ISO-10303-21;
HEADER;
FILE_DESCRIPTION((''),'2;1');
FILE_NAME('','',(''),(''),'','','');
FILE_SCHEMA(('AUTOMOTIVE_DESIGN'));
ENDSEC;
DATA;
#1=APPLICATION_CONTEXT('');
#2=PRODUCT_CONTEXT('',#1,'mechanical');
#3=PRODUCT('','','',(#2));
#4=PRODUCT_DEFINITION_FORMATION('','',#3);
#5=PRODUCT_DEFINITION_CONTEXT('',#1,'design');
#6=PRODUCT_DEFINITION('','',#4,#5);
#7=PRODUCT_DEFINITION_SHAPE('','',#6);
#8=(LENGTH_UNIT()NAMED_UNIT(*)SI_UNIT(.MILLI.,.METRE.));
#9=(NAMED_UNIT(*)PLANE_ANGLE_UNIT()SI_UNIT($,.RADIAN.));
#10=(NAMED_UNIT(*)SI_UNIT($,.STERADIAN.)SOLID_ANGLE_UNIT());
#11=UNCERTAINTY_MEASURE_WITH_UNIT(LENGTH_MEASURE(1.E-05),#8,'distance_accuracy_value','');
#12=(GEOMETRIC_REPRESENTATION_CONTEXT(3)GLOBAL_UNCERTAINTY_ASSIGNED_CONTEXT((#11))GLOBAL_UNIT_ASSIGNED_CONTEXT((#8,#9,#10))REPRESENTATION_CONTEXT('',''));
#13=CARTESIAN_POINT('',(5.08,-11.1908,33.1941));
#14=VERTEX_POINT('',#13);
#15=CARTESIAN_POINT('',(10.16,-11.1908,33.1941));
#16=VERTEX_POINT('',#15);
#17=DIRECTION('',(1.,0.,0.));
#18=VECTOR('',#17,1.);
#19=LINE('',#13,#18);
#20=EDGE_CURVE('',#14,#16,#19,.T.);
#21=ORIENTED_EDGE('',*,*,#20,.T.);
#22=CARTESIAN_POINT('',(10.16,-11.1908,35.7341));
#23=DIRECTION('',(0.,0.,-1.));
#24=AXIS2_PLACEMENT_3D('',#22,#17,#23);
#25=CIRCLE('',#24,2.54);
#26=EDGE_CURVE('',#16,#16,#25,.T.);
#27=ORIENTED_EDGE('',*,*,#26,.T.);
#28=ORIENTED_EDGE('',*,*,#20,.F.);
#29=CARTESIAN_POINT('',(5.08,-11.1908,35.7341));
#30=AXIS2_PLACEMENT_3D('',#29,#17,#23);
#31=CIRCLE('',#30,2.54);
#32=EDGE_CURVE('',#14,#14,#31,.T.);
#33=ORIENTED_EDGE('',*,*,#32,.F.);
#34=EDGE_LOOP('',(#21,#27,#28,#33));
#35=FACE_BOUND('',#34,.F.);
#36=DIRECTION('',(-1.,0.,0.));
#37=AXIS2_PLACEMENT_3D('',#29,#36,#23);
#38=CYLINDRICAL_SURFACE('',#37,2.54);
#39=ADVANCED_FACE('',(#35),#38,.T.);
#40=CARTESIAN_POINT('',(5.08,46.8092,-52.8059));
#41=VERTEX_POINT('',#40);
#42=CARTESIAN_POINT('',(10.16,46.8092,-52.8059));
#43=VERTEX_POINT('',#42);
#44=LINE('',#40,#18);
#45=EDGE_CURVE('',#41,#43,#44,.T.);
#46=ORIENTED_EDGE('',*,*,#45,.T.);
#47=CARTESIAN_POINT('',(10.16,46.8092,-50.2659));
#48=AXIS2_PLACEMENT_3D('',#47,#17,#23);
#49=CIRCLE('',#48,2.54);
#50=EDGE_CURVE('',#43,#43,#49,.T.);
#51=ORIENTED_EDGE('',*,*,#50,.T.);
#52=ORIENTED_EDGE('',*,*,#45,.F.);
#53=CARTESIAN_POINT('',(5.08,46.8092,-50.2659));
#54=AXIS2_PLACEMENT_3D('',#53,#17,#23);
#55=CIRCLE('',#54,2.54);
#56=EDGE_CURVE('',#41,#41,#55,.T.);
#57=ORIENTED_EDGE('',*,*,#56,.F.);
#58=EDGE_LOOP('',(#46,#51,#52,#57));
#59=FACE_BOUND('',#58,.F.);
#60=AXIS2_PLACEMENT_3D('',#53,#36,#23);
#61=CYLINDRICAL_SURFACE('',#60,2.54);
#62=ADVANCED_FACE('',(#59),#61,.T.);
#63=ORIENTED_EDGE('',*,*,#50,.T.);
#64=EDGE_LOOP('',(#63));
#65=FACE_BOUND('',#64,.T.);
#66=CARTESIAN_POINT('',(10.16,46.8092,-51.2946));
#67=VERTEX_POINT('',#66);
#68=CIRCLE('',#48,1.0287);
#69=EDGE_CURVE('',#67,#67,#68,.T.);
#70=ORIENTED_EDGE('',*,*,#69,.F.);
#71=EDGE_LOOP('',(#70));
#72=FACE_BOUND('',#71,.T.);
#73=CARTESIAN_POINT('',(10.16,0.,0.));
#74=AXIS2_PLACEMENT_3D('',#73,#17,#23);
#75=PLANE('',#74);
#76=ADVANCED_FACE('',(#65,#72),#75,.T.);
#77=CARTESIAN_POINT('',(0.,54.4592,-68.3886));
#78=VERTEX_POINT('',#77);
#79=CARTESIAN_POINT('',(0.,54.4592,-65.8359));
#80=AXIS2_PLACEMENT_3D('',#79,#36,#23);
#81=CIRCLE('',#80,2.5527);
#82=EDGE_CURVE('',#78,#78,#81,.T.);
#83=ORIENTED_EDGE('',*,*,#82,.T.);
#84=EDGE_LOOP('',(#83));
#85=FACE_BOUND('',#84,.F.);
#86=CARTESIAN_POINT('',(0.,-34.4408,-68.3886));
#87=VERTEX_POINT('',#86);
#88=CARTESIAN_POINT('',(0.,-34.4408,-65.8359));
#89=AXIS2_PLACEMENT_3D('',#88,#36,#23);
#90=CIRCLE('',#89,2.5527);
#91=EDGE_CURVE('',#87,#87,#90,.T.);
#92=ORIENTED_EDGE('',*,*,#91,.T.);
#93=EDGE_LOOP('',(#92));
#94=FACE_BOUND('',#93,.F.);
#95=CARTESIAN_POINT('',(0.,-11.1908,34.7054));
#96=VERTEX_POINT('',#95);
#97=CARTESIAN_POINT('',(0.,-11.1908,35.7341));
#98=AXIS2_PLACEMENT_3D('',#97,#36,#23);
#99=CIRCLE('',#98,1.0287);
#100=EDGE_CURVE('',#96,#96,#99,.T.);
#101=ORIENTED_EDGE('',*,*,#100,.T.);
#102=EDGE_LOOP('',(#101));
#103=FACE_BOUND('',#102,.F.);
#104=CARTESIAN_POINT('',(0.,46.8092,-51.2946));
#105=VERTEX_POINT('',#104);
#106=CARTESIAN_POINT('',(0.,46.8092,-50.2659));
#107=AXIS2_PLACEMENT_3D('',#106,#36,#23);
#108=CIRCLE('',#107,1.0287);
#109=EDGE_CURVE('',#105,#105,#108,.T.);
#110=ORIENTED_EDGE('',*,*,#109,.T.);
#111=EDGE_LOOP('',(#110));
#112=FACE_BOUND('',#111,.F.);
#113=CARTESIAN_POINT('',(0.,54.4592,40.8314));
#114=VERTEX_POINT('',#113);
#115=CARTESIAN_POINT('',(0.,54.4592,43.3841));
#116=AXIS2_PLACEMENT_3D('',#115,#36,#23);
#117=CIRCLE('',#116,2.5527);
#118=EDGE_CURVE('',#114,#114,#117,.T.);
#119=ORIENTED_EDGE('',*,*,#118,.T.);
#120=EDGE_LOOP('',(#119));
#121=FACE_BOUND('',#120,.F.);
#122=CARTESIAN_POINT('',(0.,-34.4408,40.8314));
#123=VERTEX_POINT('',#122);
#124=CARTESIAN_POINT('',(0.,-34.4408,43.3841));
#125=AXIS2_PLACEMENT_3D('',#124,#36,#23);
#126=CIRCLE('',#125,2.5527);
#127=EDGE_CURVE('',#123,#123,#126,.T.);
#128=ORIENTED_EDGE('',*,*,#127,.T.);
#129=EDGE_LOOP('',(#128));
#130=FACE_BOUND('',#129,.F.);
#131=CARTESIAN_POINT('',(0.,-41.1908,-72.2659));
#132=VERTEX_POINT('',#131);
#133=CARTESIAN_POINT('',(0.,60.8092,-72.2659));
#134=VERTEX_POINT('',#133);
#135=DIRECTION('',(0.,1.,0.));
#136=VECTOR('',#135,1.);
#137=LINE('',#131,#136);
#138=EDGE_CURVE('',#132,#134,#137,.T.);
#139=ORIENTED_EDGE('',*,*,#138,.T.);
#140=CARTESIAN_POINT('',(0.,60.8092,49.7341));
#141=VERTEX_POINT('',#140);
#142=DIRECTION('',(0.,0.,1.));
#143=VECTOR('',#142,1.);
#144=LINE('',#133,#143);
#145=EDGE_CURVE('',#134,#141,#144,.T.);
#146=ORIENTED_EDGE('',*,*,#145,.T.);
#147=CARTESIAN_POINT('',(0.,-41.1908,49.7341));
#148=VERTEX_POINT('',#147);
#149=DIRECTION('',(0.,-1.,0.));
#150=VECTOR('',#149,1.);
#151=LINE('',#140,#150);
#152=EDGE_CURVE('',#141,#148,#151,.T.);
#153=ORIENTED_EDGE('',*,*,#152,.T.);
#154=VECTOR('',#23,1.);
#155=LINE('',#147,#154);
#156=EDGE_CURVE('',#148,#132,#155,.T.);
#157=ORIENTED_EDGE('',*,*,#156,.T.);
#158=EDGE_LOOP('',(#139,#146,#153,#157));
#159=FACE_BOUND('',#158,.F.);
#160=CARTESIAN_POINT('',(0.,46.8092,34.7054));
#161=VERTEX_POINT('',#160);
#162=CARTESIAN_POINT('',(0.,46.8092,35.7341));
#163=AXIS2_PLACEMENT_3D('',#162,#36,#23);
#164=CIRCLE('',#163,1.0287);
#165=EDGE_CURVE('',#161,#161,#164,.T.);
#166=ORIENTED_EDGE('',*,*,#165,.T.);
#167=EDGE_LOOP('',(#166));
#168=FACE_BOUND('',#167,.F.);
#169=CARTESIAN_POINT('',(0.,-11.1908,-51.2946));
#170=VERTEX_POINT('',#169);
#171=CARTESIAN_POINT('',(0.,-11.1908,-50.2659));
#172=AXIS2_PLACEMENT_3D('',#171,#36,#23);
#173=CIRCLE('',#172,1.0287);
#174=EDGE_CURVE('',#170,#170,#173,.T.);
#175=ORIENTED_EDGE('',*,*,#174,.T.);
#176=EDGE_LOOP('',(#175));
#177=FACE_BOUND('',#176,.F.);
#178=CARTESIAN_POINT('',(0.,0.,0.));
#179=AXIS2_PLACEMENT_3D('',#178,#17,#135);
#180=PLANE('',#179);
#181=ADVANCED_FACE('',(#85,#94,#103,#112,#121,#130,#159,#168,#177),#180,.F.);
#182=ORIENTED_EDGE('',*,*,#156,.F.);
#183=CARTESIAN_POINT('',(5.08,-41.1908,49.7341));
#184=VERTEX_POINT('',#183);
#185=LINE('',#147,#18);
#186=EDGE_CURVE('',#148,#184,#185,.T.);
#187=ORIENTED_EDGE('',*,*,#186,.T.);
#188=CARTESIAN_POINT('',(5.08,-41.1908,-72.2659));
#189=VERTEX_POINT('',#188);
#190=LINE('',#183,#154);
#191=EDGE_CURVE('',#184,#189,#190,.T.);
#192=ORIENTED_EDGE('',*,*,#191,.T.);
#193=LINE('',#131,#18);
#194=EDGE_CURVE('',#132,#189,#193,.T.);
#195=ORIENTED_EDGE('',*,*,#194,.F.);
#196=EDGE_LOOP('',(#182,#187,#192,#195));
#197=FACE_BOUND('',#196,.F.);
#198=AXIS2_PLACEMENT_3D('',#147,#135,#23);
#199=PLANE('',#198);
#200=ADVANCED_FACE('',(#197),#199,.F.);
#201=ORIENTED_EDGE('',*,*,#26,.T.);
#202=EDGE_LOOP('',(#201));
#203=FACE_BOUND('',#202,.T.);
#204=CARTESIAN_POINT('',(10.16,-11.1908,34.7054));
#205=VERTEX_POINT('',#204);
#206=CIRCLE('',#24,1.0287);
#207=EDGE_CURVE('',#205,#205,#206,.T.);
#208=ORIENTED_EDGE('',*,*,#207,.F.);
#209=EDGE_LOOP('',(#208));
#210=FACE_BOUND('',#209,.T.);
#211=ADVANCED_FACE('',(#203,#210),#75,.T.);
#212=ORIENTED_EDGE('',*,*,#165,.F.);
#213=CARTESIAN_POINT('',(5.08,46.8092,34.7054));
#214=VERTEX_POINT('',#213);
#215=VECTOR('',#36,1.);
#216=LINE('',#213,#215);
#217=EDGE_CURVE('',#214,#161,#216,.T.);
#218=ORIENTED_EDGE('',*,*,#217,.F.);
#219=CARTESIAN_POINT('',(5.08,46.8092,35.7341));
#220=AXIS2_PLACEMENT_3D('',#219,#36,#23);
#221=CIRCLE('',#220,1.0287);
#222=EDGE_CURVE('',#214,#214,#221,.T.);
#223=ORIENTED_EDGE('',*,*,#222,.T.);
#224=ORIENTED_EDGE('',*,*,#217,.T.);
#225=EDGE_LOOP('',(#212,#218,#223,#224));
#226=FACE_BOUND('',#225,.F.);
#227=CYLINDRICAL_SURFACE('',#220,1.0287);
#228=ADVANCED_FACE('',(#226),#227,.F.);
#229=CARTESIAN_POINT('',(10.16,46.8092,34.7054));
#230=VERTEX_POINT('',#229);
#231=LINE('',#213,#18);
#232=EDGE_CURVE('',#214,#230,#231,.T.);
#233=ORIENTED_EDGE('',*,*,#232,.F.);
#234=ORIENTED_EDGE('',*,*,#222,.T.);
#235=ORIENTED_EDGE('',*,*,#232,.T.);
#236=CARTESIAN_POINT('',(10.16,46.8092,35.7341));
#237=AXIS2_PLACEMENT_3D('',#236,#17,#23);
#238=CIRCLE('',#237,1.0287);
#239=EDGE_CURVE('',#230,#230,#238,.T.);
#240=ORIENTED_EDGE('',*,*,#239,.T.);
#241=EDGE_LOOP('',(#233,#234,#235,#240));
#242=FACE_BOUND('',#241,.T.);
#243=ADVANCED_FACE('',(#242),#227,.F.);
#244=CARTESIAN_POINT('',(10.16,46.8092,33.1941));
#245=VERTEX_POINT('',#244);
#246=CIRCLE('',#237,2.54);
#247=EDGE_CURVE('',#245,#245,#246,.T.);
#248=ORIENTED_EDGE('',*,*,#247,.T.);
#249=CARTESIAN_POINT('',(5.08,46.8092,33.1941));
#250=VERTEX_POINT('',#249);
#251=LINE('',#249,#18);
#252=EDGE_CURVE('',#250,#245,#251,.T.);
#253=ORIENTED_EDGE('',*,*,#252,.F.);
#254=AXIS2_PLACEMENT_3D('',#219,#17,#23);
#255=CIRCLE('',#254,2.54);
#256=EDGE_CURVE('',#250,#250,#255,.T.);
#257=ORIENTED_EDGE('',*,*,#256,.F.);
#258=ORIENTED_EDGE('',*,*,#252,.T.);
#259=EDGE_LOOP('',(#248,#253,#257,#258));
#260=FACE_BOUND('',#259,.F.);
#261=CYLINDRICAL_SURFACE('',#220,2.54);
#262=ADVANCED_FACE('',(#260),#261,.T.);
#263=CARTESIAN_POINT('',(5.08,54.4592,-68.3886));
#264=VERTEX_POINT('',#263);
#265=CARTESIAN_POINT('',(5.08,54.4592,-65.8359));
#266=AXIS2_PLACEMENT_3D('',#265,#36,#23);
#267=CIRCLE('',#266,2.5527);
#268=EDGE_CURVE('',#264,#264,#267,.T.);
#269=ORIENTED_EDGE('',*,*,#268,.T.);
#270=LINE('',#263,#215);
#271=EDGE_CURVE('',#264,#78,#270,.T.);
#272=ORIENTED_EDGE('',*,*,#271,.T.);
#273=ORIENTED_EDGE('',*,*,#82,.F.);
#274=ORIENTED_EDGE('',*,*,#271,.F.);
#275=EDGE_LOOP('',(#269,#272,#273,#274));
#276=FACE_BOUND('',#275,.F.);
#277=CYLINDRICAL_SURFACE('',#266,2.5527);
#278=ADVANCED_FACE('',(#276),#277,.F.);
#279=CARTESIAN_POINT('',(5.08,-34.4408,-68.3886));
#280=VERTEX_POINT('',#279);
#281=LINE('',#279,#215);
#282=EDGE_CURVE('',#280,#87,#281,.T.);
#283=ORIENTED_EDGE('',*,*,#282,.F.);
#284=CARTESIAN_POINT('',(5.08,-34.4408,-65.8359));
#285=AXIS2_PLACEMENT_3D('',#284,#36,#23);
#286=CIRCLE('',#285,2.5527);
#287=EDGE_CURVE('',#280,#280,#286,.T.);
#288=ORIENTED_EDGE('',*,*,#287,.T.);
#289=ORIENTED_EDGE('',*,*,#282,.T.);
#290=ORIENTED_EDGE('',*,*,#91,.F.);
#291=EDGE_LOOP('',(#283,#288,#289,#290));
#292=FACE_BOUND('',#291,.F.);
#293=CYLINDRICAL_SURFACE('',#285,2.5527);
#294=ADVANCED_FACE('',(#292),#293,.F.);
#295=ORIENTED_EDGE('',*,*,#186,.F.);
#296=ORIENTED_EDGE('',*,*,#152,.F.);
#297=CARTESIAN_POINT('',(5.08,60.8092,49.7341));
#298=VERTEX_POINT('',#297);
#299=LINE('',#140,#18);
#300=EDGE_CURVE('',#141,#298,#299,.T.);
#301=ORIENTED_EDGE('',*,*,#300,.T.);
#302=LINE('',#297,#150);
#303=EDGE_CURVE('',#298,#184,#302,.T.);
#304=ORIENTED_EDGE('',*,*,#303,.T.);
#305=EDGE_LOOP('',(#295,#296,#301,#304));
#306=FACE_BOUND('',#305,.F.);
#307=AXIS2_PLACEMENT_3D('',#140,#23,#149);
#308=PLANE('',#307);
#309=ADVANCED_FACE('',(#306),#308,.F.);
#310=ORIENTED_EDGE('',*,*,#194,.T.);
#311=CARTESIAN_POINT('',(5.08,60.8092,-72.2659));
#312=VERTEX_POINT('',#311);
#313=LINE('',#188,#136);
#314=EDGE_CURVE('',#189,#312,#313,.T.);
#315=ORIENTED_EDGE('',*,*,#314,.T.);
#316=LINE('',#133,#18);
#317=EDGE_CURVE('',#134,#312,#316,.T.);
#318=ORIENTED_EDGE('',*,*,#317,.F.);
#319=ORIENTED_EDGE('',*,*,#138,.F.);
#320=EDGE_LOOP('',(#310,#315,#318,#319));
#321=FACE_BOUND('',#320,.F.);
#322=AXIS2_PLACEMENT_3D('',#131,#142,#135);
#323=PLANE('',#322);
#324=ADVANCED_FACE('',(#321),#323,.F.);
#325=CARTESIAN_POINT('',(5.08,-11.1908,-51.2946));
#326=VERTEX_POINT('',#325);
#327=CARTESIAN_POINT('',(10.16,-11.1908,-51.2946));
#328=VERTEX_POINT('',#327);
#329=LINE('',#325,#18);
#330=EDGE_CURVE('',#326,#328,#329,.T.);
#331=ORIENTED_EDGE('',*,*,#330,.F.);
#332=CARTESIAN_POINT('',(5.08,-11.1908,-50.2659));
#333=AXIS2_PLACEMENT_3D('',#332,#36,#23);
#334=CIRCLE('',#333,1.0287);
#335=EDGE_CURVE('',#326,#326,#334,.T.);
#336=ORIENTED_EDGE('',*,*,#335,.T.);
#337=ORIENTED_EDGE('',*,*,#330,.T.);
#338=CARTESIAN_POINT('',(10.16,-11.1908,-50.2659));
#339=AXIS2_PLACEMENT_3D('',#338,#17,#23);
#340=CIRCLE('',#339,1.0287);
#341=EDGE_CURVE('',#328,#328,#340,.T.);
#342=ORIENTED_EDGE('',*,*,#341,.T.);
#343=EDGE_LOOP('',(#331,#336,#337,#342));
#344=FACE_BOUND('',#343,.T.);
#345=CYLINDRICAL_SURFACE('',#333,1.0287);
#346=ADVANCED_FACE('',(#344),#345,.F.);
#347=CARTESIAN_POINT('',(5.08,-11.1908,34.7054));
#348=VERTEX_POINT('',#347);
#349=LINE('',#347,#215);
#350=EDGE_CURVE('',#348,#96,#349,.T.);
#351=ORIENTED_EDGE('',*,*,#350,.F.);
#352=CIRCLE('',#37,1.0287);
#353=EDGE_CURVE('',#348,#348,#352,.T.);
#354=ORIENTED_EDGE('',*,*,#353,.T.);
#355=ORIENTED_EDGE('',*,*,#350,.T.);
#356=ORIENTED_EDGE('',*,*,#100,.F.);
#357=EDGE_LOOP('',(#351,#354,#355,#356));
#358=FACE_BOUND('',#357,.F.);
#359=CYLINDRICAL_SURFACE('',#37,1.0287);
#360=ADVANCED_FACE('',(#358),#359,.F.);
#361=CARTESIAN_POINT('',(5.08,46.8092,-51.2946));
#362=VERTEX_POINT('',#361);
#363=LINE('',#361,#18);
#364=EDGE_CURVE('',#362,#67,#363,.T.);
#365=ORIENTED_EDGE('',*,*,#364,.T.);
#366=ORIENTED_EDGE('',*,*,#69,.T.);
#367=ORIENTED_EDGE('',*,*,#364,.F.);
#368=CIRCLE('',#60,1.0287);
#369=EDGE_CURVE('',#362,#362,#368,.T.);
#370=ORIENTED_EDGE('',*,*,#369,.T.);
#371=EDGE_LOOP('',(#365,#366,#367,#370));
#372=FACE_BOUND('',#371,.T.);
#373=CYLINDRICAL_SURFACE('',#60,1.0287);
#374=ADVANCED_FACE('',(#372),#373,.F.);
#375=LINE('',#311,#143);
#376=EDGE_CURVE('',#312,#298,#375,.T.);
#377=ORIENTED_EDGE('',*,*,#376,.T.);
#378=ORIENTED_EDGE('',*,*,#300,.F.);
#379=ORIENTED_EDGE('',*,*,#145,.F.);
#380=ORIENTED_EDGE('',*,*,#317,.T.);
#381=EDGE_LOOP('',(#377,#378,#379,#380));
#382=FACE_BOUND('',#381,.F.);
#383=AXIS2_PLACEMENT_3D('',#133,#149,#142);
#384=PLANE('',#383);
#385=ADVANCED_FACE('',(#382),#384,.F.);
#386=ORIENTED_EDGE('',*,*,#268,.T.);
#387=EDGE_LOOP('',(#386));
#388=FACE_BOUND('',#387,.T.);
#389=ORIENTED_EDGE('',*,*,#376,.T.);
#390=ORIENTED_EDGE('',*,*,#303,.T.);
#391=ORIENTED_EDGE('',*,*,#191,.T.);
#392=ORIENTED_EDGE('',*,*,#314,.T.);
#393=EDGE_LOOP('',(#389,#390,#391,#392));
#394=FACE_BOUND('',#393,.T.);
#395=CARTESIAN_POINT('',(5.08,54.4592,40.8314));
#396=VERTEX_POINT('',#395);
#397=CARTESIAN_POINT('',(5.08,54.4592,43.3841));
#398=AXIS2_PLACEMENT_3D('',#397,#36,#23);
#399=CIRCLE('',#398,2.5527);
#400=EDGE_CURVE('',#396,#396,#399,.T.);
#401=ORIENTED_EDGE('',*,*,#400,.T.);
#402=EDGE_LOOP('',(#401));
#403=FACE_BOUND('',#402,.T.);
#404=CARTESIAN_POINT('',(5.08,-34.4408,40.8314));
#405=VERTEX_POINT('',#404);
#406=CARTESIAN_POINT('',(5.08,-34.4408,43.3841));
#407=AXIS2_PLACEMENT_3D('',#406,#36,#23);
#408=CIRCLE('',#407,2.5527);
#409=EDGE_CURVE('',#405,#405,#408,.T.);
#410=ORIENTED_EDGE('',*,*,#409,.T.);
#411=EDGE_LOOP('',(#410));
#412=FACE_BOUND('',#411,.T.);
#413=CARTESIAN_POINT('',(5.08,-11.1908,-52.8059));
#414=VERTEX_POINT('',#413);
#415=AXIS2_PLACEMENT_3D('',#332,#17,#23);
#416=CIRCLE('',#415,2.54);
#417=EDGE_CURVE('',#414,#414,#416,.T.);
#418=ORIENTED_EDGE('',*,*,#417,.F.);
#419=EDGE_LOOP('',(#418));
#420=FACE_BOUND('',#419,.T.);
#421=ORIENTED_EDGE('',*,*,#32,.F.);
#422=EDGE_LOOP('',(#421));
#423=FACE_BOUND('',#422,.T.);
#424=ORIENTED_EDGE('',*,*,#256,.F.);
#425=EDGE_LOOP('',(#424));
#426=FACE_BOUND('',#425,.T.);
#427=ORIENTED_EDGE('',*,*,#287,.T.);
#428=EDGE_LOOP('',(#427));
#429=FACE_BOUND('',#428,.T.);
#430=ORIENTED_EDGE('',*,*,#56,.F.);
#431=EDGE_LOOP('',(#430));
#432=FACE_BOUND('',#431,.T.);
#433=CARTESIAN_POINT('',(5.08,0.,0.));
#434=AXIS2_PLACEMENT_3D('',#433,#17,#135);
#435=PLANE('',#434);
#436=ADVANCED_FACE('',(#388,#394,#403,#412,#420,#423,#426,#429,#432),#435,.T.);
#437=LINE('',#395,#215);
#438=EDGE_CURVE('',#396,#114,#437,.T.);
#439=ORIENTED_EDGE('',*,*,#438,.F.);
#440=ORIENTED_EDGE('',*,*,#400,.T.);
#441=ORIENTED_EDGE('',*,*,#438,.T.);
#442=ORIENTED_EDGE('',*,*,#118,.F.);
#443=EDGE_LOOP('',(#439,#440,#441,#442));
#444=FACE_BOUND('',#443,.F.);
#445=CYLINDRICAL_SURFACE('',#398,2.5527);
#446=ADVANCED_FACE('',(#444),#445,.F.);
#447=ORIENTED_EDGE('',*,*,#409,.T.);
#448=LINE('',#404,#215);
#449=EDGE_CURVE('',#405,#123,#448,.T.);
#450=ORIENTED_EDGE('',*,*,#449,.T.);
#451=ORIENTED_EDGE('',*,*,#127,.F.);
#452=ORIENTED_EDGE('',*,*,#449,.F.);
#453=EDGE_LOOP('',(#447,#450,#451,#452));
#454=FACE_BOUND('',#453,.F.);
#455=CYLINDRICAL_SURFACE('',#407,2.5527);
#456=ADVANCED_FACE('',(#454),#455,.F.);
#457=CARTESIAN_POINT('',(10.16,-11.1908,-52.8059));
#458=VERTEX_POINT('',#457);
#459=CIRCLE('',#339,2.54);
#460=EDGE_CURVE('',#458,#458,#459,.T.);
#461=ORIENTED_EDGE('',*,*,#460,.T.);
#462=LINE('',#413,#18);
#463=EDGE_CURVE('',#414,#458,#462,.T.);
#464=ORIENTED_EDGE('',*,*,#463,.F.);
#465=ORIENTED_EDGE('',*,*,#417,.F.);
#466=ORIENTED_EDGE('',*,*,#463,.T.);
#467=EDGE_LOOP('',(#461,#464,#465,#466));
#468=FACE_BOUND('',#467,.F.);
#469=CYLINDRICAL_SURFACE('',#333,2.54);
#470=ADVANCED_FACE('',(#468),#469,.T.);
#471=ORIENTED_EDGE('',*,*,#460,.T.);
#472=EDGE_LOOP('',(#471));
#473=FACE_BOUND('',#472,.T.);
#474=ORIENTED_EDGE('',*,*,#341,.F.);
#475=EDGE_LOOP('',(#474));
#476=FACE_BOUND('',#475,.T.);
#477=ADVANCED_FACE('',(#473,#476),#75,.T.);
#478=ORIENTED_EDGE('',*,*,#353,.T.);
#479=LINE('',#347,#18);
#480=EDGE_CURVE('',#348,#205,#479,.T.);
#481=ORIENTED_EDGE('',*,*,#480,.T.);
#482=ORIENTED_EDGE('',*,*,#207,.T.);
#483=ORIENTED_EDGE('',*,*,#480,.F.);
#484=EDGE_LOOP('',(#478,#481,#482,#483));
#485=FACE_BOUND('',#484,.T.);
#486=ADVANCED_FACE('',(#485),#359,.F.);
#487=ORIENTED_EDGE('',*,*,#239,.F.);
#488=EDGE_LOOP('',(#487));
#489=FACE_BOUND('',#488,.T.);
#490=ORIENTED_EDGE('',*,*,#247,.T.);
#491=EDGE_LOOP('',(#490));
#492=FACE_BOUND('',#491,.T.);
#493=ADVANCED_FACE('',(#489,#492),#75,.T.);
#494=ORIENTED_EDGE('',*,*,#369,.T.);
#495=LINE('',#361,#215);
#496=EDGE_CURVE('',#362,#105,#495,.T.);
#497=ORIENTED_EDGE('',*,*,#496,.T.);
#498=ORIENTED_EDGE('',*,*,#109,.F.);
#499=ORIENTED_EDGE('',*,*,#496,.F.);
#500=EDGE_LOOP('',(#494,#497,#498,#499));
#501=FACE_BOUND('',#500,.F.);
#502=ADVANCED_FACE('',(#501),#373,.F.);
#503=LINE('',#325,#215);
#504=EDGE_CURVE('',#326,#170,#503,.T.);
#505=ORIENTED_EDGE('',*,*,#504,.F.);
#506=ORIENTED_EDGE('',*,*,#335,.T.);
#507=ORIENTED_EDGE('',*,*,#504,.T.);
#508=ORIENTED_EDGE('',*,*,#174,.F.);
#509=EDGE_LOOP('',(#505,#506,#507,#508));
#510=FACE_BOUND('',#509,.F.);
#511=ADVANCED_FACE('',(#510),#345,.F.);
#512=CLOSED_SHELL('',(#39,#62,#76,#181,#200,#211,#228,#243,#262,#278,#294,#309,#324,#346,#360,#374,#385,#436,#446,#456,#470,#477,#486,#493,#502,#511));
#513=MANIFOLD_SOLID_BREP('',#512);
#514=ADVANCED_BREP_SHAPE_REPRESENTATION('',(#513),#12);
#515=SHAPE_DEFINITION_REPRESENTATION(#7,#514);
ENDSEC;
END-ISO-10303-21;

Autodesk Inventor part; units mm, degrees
ref_plane "YZ Plane" through (0, 0, 0) normal (1, 0, 0) x (0, 1, 0)
ref_plane "XZ Plane" through (0, 0, 0) normal (0, 1, 0) x (-1, 0, 0)
ref_plane "XY Plane" through (0, 0, 0) normal (0, 0, 1) x (1, 0, 0)
sketch "Sketch1" plane through (0, 0, 0) normal (1, 0, 0) x (0, 1, 0)
  line L0 (60.8092, 49.7341) -> (-41.1908, 49.7341)
  line L1 (-41.1908, 49.7341) -> (-41.1908, -72.2659)
  line L2 (-41.1908, -72.2659) -> (60.8092, -72.2659)
  line L3 (60.8092, -72.2659) -> (60.8092, 49.7341)
  point P0 (0, 0)
  dimension "d0" = 122
  dimension "d1" = 102
extrude "Extrusion1" add sketch "Sketch1" along normal blind 5.08
sketch "Sketch2" plane through (5.08, 0, 0) normal (1, 0, 0) x (0, 0, -1)
  line L0 (-49.7341, 60.8092) -> (-49.7341, -41.1908) projected
  line L1 (72.2659, 60.8092) -> (-49.7341, 60.8092) projected
  point P0 (0, 0)
  point P1 (-35.7341, 46.8092)
  point P2 (50.2659, 46.8092)
  point P3 (50.2659, -11.1908)
  point P4 (-35.7341, -11.1908)
  dimension "d5" = 0
  dimension "d15" = 14
  dimension "d16" = 14
  dimension "d17" = 0
  dimension "d18" = 72
  dimension "d19" = 100
  dimension "d20" = 0
  dimension "d21" = 0
hole "Hole1" at (5.08, 46.8092, 35.7341) at (5.08, 46.8092, -50.2659) at (5.08, -11.1908, -50.2659) at (5.08, -11.1908, 35.7341) direction (-1, 0, 0) diameter 2.0574 end through all clearance for "Flat Head Machine Screw (82)" size "#1" standard "Ansi Unified Screw Threads"
sketch "Sketch3" plane through (5.08, 0, 0) normal (1, 0, 0) x (0, 0, -1)
  circle A0 centre (-35.7341, 46.8092) radius 1.0287 projected
  circle A1 centre (-35.7341, 46.8092) radius 2.54
  circle A2 centre (50.2659, 46.8092) radius 1.0287 projected
  circle A3 centre (50.2659, 46.8092) radius 2.54
  circle A4 centre (50.2659, -11.1908) radius 1.0287 projected
  circle A5 centre (50.2659, -11.1908) radius 2.54
  circle A6 centre (-35.7341, -11.1908) radius 1.0287 projected
  circle A7 centre (-35.7341, -11.1908) radius 2.54
  point P0 (0, 0)
  dimension "d22" = 5.08
  dimension "d23" = 5.08
  dimension "d24" = 5.08
  dimension "d25" = 5.08
extrude "Extrusion2" add sketch "Sketch3" along normal blind 5.08
sketch "Sketch4" plane through (5.08, 0, 0) normal (1, 0, 0) x (0, 0, -1)
  line L0 (-49.7341, 60.8092) -> (-49.7341, -41.1908) projected
  line L1 (72.2659, 60.8092) -> (-49.7341, 60.8092) projected
  point P0 (0, 0)
  point P1 (-43.3841, 54.4592)
  point P2 (65.8359, 54.4592)
  point P3 (-43.3841, -34.4408)
  point P4 (65.8359, -34.4408)
  dimension "d28" = 6.35
  dimension "d29" = 6.35
  dimension "d30" = 109.22
  dimension "d31" = 0
  dimension "d32" = 88.9
  dimension "d33" = 0
  dimension "d34" = 0
  dimension "d35" = 0
hole "Hole2" at (5.08, 54.4592, 43.3841) at (5.08, 54.4592, -65.8359) at (5.08, -34.4408, 43.3841) at (5.08, -34.4408, -65.8359) direction (-1, 0, 0) diameter 5.1054 end through all clearance for "Flat Head Machine Screw (82)" size "#10" standard "Ansi Unified Screw Threads"
properties part number "JetsonPlate"
